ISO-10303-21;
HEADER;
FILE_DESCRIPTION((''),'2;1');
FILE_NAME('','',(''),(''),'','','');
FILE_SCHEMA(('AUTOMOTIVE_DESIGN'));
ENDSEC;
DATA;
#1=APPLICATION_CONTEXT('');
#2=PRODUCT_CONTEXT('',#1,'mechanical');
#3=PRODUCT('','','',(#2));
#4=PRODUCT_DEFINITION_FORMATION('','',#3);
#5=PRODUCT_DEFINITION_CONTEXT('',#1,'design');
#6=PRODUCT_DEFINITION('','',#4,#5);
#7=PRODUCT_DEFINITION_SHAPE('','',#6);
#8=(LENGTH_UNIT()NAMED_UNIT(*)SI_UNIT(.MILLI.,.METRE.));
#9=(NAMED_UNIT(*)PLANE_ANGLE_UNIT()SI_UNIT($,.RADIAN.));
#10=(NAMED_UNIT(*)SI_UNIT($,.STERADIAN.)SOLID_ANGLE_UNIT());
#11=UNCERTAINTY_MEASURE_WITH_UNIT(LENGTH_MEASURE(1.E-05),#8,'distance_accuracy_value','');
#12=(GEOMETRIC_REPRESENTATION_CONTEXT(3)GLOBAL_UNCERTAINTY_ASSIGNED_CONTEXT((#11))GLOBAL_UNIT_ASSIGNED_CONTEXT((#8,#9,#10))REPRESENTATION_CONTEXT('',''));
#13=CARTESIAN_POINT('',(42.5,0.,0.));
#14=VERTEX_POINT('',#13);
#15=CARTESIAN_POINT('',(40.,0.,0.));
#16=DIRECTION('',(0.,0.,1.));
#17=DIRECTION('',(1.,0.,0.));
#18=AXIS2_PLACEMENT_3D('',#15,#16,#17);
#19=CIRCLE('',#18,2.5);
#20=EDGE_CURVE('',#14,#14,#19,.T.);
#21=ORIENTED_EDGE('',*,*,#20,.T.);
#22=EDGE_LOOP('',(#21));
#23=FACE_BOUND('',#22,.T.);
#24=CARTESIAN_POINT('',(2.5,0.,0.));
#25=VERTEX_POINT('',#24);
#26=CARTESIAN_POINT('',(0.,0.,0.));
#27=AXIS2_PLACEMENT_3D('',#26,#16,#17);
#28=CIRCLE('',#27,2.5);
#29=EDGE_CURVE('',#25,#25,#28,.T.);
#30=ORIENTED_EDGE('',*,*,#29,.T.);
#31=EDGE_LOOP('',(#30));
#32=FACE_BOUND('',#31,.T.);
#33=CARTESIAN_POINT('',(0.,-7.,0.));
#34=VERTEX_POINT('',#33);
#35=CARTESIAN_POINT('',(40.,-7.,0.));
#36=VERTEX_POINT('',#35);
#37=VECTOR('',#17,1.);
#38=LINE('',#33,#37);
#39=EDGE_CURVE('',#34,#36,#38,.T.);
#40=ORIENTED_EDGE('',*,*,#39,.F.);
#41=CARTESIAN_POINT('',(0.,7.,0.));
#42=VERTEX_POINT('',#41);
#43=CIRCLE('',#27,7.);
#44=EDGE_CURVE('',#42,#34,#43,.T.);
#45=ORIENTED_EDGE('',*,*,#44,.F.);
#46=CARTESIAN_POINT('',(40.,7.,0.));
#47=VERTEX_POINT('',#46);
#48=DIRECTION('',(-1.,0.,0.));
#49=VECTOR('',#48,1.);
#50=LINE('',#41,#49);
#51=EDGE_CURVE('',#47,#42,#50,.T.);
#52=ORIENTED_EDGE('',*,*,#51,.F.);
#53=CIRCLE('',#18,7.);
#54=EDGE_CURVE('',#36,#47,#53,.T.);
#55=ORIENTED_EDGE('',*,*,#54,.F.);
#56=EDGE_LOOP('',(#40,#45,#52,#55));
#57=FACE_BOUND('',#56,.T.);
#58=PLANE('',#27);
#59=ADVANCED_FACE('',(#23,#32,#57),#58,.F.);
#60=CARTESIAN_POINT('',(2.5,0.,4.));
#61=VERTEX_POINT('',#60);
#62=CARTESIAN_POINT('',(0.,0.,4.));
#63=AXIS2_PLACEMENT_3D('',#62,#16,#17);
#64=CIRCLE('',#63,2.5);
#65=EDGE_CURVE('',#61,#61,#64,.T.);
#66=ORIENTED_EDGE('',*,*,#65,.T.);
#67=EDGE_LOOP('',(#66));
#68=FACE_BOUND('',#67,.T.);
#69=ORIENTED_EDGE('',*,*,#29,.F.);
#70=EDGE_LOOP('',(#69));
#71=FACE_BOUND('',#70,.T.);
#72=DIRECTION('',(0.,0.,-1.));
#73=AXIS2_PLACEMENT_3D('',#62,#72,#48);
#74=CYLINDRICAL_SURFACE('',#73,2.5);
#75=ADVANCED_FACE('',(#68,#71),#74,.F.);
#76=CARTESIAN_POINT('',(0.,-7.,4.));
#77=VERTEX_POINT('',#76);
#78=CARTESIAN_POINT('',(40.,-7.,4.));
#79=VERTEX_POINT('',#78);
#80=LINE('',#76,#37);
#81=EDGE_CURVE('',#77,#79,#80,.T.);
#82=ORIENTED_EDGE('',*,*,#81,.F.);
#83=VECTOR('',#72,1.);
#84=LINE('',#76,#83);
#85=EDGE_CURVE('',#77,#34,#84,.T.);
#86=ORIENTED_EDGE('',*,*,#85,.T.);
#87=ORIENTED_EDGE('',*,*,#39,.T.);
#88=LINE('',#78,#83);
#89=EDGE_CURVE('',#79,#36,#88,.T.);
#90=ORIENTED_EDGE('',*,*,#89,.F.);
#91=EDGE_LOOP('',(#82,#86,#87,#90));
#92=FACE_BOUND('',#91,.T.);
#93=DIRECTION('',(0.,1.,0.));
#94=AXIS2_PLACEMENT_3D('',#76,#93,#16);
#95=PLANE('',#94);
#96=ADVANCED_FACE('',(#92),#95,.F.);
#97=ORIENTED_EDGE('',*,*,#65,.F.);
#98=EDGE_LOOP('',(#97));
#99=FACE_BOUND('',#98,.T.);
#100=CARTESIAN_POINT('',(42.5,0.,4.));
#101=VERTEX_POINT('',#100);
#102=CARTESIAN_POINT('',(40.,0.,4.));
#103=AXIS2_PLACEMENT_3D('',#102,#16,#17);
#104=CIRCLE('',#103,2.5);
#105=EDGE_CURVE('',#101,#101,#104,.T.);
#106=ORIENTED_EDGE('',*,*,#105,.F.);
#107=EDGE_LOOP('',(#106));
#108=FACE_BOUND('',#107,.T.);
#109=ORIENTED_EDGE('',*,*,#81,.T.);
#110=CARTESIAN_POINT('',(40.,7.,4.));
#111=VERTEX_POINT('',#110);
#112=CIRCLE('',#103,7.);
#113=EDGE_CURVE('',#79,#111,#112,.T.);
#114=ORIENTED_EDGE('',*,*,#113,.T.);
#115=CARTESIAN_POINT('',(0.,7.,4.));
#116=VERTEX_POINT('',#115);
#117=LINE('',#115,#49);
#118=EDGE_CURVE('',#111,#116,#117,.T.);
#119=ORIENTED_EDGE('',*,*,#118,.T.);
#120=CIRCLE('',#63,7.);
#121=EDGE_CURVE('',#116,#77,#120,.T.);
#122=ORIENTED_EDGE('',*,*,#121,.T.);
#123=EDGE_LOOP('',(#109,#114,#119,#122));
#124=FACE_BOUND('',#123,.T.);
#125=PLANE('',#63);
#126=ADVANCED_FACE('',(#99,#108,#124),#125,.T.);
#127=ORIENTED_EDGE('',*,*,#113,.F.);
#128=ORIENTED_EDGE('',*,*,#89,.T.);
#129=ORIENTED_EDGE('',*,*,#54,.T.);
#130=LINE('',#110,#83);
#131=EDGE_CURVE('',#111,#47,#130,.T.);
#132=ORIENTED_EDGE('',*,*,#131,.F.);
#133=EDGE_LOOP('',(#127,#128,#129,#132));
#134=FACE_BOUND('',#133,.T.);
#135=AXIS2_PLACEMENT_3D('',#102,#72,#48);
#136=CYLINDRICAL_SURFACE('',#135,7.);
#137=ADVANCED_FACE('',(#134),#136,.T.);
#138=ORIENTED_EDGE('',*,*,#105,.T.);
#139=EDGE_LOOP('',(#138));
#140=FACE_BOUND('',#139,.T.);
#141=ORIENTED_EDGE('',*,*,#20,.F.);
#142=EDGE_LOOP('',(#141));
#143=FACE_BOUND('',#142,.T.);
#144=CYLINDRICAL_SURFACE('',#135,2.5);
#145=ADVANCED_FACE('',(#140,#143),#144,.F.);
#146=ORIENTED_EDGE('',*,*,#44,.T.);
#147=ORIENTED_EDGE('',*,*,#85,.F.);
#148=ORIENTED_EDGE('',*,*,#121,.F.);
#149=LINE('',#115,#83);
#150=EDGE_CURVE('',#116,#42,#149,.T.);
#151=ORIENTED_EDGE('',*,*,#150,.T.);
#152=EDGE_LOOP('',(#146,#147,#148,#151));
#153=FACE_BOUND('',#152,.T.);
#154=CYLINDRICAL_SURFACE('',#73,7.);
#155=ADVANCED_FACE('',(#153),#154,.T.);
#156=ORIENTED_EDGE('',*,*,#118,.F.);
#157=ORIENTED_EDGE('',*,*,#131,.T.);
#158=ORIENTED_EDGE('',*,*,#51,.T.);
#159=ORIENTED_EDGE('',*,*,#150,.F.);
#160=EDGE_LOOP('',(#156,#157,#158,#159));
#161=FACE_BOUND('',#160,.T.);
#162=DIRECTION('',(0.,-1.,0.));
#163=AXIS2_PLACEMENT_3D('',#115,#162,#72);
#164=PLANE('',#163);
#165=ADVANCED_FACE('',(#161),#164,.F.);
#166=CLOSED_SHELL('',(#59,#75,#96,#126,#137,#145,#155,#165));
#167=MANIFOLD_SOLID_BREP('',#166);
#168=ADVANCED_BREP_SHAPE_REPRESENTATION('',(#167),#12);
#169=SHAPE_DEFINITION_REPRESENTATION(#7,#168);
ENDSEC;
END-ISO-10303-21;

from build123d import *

# Parameters (mm, degrees)
ESQUISSE1_R        = 2.5
BOSS_EXTRU_1_DEPTH = 4


with BuildPart() as part:
    # Esquisse1 → Boss.-Extru.1 (new body)
    with BuildSketch(Plane.XY):
        with BuildLine():
            Line((0, 7), (40, 7))
            ThreePointArc((40, 7), (47, 0), (40, -7))
            Line((40, -7), (0, -7))
            ThreePointArc((0, -7), (-7, 0), (0, 7))
        make_face()
        Circle(ESQUISSE1_R, mode=Mode.SUBTRACT)
        with Locations((40, 0)):
            Circle(ESQUISSE1_R, mode=Mode.SUBTRACT)
    extrude(amount=BOSS_EXTRU_1_DEPTH)


solid = part.part
